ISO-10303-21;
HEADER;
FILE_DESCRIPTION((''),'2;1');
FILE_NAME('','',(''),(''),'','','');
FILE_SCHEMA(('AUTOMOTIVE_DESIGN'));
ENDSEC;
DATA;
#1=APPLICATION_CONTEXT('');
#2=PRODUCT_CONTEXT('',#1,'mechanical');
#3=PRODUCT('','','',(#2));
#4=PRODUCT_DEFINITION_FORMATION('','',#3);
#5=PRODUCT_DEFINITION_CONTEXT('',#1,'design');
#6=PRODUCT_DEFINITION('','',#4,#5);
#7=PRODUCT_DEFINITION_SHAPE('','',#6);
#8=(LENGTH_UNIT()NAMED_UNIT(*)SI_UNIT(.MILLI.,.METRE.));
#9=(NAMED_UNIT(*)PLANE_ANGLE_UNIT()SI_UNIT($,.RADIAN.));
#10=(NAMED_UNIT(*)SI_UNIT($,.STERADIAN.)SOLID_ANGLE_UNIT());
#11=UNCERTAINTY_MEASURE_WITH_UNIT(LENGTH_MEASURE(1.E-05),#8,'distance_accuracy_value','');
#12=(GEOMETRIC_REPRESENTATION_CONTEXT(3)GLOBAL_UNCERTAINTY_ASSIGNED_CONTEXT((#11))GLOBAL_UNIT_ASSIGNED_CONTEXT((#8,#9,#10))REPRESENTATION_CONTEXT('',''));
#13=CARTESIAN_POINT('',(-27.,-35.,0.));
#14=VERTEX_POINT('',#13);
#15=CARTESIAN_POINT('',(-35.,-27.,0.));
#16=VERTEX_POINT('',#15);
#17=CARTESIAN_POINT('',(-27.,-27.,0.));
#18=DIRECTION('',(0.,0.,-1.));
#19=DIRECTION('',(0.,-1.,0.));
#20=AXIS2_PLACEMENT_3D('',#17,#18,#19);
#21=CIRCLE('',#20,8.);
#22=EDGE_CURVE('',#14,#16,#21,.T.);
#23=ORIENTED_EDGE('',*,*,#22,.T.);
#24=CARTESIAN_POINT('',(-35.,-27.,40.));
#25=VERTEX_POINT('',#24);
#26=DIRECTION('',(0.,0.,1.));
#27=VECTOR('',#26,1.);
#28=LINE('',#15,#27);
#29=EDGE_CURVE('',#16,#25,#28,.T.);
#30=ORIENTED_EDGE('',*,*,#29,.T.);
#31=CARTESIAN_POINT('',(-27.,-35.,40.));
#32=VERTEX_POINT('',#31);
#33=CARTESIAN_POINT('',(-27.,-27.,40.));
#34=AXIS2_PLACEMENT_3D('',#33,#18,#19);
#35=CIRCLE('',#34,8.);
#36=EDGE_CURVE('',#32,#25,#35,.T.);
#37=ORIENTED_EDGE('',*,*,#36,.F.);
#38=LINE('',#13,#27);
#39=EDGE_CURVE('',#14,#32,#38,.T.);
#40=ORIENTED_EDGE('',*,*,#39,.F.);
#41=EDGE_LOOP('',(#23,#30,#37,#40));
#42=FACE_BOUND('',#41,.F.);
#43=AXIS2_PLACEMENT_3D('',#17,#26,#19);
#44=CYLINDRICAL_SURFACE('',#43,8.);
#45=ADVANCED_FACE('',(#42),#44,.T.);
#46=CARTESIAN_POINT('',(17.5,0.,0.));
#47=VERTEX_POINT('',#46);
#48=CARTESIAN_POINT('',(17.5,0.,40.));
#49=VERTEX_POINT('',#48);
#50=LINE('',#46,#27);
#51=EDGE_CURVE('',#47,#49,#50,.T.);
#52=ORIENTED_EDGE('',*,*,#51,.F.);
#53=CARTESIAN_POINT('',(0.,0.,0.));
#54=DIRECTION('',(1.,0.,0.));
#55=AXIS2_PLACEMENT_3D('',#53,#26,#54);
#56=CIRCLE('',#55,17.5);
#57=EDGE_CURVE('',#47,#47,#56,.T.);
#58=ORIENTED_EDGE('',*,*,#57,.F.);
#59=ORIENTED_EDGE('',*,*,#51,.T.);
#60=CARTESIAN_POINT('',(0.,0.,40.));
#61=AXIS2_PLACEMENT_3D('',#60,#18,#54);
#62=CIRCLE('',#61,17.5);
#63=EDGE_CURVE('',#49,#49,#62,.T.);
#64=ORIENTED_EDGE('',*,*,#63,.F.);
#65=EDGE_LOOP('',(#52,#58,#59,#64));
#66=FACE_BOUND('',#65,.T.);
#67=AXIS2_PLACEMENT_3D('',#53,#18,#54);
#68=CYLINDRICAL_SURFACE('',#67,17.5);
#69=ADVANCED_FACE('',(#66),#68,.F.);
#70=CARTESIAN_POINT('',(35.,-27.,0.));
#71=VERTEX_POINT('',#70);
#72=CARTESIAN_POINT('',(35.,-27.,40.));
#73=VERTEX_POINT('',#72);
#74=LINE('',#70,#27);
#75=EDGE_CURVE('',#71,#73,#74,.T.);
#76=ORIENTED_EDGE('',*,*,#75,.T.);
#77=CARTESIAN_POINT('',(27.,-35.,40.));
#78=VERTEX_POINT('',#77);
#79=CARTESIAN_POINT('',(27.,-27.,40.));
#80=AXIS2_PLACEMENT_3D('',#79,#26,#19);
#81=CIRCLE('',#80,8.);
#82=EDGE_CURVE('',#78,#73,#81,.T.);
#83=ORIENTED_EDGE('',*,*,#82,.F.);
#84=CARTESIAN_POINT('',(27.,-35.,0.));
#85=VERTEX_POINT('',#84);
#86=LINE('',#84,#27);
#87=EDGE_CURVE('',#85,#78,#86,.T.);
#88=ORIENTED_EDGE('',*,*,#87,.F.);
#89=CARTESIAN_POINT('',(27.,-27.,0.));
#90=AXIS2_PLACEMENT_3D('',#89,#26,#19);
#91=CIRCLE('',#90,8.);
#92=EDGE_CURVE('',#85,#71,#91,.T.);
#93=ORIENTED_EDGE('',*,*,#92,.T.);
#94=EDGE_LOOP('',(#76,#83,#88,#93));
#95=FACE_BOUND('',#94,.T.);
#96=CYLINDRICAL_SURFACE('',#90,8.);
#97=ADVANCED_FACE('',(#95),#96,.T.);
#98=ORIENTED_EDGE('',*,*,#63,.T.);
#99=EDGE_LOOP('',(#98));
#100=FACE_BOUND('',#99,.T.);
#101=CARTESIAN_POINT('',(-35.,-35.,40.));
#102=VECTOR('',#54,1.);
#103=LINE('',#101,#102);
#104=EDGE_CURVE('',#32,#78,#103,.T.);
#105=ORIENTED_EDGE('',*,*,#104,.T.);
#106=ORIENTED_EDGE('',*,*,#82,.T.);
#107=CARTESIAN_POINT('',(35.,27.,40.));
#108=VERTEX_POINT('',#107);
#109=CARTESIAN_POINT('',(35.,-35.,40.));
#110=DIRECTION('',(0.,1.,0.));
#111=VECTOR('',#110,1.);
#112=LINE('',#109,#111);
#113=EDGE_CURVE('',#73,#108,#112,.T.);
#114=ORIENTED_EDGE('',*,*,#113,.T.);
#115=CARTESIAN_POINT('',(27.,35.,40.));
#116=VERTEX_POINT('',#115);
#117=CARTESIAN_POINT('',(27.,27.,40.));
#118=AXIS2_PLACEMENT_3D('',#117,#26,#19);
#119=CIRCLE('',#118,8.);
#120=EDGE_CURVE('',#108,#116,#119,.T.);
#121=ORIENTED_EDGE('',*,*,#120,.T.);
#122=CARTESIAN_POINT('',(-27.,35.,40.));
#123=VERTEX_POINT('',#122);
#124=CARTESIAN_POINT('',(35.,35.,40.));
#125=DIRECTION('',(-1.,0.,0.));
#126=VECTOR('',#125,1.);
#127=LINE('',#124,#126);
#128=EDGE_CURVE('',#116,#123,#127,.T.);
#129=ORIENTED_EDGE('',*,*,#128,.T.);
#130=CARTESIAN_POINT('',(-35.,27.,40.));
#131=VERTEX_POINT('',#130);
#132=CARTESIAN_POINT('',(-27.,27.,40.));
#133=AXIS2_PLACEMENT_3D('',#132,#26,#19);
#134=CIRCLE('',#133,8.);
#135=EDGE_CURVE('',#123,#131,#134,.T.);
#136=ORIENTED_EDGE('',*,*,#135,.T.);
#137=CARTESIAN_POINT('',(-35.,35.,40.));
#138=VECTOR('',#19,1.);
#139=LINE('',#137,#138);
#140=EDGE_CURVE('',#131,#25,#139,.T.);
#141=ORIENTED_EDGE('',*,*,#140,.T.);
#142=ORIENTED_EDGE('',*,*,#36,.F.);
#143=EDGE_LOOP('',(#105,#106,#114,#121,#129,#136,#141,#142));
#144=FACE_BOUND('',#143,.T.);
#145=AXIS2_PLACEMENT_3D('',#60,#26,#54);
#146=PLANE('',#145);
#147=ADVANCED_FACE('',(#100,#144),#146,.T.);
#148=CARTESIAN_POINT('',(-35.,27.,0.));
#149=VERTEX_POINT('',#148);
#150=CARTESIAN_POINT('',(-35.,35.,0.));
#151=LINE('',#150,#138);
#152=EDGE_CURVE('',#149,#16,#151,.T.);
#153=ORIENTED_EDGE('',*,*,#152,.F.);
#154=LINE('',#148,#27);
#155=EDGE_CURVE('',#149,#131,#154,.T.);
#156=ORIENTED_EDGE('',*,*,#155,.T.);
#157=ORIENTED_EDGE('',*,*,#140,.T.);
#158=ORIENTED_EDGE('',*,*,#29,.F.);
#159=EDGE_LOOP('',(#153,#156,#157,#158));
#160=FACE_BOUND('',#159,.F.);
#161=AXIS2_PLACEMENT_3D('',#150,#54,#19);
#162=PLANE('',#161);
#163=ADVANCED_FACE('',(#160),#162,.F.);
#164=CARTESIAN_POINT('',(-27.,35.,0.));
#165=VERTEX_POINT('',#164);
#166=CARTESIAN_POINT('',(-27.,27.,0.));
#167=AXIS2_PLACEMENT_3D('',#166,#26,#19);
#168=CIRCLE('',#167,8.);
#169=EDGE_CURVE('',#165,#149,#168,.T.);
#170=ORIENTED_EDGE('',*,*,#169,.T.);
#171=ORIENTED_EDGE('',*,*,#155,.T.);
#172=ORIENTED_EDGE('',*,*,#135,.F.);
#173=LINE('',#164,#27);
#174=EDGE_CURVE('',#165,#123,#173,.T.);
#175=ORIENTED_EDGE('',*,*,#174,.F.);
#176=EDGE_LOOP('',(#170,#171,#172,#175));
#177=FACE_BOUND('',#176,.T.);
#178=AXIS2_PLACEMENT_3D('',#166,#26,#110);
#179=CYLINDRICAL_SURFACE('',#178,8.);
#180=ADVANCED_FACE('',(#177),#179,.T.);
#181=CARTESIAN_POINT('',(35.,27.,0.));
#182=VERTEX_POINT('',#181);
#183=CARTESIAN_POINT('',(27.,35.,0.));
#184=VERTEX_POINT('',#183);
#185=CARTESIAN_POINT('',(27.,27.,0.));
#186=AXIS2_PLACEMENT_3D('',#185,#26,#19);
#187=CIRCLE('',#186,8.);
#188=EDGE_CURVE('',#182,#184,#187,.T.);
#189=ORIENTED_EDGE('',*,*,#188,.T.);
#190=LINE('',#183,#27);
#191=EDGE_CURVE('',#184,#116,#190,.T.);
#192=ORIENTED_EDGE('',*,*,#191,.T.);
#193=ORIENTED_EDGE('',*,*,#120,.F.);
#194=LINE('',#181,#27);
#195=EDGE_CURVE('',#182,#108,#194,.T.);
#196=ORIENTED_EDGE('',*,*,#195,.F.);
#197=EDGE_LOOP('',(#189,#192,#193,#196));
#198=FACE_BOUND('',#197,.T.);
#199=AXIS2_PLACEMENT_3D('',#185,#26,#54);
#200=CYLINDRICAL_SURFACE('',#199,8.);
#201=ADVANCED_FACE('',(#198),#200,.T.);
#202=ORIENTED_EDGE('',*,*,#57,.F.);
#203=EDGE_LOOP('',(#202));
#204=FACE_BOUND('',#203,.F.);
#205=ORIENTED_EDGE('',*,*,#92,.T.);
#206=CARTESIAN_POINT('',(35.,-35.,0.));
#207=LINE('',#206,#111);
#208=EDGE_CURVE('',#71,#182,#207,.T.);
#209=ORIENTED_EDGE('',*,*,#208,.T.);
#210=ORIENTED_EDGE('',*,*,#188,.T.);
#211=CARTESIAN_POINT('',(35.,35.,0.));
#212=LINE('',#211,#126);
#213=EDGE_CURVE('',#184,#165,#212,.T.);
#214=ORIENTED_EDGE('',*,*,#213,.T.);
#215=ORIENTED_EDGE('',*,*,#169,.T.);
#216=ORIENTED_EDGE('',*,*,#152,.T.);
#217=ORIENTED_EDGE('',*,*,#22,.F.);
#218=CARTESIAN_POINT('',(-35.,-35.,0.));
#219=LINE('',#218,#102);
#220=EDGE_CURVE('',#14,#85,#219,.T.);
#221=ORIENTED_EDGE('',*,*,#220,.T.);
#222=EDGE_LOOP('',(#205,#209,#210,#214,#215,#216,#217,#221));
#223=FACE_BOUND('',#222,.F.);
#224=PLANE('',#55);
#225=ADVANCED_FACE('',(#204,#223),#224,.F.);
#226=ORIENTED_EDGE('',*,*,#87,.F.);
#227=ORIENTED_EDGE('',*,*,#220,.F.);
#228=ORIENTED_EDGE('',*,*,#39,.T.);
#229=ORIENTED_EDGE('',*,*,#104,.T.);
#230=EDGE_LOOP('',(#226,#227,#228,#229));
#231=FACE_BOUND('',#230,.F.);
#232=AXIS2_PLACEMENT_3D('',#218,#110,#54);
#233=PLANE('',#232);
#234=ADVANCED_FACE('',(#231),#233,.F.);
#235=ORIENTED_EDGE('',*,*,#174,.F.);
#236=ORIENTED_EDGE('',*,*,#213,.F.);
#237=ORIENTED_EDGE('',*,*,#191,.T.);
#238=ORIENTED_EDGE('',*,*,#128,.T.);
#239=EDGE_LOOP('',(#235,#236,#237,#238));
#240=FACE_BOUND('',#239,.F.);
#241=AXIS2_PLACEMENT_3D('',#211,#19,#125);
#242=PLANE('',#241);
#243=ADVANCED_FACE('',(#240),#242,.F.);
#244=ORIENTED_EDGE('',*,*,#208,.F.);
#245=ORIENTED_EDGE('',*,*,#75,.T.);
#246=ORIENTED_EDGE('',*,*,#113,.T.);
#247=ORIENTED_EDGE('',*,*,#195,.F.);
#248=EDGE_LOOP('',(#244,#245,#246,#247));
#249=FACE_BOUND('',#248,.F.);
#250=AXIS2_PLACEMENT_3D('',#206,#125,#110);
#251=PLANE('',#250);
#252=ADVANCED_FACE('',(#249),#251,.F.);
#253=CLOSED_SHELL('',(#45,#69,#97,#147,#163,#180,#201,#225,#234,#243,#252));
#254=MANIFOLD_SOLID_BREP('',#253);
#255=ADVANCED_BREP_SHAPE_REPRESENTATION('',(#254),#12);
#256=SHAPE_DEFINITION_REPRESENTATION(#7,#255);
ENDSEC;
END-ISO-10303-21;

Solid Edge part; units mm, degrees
sketch "Sketch1" plane through (0, 0, 0) normal (0, 0, 1) x (1, 0, 0)
  line L0 (-35, -35) -> (35, -35)
  line L1 (35, -35) -> (35, 35)
  line L2 (35, 35) -> (-35, 35)
  line L3 (-35, 35) -> (-35, -35)
extrude "ExtrudedProtrusion_1" add sketch "Sketch1" along normal blind 40
fillet "Round_1" radius 8 4 edges at (35, -35, 20) (35, 35, 20) (-35, -35, 20) (-35, 35, 20)
sketch "Sketch2" plane through (0, 0, 0) normal (0, 0, 1) x (1, 0, 0)
  circle A0 centre (0, 0) radius 17.5
extrude "ExtrudedCutout_1" cut sketch "Sketch2" along normal blind 118.7913
